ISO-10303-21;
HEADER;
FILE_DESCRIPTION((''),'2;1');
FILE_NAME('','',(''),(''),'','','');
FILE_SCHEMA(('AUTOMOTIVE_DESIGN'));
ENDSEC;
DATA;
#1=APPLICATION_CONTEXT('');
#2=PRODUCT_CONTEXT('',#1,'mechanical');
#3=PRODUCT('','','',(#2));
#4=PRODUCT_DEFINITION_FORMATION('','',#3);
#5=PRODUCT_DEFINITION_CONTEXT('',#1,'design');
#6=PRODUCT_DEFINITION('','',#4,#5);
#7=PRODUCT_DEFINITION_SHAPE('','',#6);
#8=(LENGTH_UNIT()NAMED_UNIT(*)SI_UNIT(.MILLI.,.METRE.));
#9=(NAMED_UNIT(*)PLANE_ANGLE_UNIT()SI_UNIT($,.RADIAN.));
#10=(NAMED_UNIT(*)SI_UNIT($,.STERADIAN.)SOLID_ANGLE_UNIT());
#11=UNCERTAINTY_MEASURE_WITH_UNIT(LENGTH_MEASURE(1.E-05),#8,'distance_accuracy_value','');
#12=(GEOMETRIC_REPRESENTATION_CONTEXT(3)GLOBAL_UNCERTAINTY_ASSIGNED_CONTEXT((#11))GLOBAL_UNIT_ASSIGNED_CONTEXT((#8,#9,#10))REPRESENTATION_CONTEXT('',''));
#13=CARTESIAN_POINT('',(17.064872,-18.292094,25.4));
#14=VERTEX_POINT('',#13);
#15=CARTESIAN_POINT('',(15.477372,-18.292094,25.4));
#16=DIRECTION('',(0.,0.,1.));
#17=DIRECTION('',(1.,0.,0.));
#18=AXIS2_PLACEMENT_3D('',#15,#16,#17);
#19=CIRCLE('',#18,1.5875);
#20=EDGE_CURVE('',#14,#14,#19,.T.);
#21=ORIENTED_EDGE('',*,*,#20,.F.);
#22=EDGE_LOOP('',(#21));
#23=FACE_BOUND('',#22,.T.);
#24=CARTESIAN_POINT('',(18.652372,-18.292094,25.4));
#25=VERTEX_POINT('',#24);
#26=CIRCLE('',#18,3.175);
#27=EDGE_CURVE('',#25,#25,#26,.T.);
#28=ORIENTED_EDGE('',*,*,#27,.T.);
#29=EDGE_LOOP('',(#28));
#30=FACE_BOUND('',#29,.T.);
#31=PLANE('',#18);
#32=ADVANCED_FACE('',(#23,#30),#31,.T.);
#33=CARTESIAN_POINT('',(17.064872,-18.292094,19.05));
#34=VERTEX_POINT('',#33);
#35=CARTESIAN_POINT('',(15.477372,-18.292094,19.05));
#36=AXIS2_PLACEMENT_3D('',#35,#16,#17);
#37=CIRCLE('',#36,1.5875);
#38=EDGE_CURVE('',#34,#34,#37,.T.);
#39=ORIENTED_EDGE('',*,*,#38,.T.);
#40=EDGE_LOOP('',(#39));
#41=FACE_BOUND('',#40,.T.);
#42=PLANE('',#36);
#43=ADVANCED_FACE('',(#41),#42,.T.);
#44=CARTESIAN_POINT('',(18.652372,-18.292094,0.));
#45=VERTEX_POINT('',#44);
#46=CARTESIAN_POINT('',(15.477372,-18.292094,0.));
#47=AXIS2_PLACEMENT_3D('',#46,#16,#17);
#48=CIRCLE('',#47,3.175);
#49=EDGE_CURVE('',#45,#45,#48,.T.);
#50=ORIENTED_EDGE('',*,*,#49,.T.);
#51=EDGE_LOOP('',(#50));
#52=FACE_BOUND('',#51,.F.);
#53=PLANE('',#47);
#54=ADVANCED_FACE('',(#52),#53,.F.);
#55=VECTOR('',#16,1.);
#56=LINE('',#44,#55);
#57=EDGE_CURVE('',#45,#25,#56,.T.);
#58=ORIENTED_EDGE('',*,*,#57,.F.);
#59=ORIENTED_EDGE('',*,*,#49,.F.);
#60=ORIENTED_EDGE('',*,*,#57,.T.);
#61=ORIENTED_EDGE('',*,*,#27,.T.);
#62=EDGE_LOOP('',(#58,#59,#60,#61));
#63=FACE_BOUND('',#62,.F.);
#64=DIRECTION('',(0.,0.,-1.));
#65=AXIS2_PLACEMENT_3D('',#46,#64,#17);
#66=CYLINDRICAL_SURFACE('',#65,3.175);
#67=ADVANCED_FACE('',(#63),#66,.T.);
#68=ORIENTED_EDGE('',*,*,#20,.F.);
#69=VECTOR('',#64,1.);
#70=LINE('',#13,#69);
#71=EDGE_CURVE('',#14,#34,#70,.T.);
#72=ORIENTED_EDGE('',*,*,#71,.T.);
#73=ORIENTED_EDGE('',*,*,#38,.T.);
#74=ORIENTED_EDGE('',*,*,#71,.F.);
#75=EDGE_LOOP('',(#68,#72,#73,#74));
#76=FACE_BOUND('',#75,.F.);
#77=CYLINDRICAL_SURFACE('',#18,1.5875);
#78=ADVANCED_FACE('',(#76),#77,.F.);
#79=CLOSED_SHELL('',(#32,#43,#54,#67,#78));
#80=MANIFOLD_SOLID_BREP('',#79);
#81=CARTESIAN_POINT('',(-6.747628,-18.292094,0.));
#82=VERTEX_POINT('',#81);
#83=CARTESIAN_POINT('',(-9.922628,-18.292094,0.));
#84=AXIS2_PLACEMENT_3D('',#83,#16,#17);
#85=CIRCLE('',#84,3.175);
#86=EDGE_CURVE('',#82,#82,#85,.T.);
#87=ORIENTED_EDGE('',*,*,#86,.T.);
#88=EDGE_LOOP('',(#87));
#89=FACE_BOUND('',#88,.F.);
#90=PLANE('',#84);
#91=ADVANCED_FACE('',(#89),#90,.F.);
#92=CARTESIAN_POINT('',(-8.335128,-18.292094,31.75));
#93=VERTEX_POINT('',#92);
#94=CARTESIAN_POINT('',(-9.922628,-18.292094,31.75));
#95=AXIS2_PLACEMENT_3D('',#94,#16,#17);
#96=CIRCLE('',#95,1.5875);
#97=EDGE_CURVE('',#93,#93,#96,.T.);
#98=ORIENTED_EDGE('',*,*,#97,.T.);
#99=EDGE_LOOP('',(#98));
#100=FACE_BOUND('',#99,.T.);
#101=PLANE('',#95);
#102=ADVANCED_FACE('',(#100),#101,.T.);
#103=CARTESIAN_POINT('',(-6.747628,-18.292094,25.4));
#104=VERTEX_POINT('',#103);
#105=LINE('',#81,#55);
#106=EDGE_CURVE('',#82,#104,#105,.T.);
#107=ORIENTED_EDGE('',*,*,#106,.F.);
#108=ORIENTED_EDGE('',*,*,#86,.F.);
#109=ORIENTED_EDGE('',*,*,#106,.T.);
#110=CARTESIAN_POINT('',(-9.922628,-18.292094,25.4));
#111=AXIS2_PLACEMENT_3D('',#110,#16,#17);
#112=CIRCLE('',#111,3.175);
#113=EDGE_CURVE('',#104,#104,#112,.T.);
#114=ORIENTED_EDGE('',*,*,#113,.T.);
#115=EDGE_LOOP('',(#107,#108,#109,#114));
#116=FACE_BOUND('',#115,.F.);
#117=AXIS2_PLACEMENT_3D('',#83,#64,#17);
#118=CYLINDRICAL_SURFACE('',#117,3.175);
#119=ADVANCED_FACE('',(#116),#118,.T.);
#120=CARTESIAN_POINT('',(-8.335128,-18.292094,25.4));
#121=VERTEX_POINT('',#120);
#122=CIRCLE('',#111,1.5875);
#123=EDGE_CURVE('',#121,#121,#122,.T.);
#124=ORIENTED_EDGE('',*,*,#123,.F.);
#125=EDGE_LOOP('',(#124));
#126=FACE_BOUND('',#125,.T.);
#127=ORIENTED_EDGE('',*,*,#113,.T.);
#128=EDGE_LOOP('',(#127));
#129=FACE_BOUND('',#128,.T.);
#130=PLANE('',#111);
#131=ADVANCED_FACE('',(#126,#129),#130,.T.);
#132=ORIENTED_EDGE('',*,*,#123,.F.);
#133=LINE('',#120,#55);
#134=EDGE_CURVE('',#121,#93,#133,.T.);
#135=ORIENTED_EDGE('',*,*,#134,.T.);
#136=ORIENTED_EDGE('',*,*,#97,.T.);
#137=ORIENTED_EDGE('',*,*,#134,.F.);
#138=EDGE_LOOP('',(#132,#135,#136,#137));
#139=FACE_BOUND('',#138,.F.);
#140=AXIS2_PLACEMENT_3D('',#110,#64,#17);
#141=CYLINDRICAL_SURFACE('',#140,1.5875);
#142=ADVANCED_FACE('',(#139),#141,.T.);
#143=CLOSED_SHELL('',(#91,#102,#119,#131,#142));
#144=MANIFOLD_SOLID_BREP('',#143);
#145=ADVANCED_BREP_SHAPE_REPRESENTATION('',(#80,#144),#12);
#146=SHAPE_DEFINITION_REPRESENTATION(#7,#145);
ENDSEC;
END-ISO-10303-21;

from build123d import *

# Parameters (mm, degrees)
F0_R     = 3.175
F1_DEPTH = 25.4
F3_R     = 1.5875
F4_DEPTH = 6.35
F5_R     = 1.5875
F6_DEPTH = 6.35


with BuildPart() as f1:
    # F0 (on Top) → F1 (new body)
    with BuildSketch(Plane.XY):
        with Locations((-9.922628291, -18.2920936495)):
            Circle(F0_R)
    extrude(amount=F1_DEPTH)


with BuildPart() as f2_1:
    # F2: copy of F1
    add(f1.part.moved(Location((25.4, 0, 0))))

    # F5 (on face) → F6 (cut)
    with BuildSketch(Plane.XY.offset(25.4)):
        with Locations((15.477371709, -18.2920936495)):
            Circle(F5_R)
    extrude(amount=-F6_DEPTH, mode=Mode.SUBTRACT)


with BuildPart() as f1_1:
    add(f1.part)

    # F3 (on face) → F4 (join)
    with BuildSketch(Plane.XY.offset(25.4)):
        with Locations((-9.922628291, -18.2920936495)):
            Circle(F3_R)
    extrude(amount=F4_DEPTH)


solid = Compound([f2_1.part, f1_1.part])
